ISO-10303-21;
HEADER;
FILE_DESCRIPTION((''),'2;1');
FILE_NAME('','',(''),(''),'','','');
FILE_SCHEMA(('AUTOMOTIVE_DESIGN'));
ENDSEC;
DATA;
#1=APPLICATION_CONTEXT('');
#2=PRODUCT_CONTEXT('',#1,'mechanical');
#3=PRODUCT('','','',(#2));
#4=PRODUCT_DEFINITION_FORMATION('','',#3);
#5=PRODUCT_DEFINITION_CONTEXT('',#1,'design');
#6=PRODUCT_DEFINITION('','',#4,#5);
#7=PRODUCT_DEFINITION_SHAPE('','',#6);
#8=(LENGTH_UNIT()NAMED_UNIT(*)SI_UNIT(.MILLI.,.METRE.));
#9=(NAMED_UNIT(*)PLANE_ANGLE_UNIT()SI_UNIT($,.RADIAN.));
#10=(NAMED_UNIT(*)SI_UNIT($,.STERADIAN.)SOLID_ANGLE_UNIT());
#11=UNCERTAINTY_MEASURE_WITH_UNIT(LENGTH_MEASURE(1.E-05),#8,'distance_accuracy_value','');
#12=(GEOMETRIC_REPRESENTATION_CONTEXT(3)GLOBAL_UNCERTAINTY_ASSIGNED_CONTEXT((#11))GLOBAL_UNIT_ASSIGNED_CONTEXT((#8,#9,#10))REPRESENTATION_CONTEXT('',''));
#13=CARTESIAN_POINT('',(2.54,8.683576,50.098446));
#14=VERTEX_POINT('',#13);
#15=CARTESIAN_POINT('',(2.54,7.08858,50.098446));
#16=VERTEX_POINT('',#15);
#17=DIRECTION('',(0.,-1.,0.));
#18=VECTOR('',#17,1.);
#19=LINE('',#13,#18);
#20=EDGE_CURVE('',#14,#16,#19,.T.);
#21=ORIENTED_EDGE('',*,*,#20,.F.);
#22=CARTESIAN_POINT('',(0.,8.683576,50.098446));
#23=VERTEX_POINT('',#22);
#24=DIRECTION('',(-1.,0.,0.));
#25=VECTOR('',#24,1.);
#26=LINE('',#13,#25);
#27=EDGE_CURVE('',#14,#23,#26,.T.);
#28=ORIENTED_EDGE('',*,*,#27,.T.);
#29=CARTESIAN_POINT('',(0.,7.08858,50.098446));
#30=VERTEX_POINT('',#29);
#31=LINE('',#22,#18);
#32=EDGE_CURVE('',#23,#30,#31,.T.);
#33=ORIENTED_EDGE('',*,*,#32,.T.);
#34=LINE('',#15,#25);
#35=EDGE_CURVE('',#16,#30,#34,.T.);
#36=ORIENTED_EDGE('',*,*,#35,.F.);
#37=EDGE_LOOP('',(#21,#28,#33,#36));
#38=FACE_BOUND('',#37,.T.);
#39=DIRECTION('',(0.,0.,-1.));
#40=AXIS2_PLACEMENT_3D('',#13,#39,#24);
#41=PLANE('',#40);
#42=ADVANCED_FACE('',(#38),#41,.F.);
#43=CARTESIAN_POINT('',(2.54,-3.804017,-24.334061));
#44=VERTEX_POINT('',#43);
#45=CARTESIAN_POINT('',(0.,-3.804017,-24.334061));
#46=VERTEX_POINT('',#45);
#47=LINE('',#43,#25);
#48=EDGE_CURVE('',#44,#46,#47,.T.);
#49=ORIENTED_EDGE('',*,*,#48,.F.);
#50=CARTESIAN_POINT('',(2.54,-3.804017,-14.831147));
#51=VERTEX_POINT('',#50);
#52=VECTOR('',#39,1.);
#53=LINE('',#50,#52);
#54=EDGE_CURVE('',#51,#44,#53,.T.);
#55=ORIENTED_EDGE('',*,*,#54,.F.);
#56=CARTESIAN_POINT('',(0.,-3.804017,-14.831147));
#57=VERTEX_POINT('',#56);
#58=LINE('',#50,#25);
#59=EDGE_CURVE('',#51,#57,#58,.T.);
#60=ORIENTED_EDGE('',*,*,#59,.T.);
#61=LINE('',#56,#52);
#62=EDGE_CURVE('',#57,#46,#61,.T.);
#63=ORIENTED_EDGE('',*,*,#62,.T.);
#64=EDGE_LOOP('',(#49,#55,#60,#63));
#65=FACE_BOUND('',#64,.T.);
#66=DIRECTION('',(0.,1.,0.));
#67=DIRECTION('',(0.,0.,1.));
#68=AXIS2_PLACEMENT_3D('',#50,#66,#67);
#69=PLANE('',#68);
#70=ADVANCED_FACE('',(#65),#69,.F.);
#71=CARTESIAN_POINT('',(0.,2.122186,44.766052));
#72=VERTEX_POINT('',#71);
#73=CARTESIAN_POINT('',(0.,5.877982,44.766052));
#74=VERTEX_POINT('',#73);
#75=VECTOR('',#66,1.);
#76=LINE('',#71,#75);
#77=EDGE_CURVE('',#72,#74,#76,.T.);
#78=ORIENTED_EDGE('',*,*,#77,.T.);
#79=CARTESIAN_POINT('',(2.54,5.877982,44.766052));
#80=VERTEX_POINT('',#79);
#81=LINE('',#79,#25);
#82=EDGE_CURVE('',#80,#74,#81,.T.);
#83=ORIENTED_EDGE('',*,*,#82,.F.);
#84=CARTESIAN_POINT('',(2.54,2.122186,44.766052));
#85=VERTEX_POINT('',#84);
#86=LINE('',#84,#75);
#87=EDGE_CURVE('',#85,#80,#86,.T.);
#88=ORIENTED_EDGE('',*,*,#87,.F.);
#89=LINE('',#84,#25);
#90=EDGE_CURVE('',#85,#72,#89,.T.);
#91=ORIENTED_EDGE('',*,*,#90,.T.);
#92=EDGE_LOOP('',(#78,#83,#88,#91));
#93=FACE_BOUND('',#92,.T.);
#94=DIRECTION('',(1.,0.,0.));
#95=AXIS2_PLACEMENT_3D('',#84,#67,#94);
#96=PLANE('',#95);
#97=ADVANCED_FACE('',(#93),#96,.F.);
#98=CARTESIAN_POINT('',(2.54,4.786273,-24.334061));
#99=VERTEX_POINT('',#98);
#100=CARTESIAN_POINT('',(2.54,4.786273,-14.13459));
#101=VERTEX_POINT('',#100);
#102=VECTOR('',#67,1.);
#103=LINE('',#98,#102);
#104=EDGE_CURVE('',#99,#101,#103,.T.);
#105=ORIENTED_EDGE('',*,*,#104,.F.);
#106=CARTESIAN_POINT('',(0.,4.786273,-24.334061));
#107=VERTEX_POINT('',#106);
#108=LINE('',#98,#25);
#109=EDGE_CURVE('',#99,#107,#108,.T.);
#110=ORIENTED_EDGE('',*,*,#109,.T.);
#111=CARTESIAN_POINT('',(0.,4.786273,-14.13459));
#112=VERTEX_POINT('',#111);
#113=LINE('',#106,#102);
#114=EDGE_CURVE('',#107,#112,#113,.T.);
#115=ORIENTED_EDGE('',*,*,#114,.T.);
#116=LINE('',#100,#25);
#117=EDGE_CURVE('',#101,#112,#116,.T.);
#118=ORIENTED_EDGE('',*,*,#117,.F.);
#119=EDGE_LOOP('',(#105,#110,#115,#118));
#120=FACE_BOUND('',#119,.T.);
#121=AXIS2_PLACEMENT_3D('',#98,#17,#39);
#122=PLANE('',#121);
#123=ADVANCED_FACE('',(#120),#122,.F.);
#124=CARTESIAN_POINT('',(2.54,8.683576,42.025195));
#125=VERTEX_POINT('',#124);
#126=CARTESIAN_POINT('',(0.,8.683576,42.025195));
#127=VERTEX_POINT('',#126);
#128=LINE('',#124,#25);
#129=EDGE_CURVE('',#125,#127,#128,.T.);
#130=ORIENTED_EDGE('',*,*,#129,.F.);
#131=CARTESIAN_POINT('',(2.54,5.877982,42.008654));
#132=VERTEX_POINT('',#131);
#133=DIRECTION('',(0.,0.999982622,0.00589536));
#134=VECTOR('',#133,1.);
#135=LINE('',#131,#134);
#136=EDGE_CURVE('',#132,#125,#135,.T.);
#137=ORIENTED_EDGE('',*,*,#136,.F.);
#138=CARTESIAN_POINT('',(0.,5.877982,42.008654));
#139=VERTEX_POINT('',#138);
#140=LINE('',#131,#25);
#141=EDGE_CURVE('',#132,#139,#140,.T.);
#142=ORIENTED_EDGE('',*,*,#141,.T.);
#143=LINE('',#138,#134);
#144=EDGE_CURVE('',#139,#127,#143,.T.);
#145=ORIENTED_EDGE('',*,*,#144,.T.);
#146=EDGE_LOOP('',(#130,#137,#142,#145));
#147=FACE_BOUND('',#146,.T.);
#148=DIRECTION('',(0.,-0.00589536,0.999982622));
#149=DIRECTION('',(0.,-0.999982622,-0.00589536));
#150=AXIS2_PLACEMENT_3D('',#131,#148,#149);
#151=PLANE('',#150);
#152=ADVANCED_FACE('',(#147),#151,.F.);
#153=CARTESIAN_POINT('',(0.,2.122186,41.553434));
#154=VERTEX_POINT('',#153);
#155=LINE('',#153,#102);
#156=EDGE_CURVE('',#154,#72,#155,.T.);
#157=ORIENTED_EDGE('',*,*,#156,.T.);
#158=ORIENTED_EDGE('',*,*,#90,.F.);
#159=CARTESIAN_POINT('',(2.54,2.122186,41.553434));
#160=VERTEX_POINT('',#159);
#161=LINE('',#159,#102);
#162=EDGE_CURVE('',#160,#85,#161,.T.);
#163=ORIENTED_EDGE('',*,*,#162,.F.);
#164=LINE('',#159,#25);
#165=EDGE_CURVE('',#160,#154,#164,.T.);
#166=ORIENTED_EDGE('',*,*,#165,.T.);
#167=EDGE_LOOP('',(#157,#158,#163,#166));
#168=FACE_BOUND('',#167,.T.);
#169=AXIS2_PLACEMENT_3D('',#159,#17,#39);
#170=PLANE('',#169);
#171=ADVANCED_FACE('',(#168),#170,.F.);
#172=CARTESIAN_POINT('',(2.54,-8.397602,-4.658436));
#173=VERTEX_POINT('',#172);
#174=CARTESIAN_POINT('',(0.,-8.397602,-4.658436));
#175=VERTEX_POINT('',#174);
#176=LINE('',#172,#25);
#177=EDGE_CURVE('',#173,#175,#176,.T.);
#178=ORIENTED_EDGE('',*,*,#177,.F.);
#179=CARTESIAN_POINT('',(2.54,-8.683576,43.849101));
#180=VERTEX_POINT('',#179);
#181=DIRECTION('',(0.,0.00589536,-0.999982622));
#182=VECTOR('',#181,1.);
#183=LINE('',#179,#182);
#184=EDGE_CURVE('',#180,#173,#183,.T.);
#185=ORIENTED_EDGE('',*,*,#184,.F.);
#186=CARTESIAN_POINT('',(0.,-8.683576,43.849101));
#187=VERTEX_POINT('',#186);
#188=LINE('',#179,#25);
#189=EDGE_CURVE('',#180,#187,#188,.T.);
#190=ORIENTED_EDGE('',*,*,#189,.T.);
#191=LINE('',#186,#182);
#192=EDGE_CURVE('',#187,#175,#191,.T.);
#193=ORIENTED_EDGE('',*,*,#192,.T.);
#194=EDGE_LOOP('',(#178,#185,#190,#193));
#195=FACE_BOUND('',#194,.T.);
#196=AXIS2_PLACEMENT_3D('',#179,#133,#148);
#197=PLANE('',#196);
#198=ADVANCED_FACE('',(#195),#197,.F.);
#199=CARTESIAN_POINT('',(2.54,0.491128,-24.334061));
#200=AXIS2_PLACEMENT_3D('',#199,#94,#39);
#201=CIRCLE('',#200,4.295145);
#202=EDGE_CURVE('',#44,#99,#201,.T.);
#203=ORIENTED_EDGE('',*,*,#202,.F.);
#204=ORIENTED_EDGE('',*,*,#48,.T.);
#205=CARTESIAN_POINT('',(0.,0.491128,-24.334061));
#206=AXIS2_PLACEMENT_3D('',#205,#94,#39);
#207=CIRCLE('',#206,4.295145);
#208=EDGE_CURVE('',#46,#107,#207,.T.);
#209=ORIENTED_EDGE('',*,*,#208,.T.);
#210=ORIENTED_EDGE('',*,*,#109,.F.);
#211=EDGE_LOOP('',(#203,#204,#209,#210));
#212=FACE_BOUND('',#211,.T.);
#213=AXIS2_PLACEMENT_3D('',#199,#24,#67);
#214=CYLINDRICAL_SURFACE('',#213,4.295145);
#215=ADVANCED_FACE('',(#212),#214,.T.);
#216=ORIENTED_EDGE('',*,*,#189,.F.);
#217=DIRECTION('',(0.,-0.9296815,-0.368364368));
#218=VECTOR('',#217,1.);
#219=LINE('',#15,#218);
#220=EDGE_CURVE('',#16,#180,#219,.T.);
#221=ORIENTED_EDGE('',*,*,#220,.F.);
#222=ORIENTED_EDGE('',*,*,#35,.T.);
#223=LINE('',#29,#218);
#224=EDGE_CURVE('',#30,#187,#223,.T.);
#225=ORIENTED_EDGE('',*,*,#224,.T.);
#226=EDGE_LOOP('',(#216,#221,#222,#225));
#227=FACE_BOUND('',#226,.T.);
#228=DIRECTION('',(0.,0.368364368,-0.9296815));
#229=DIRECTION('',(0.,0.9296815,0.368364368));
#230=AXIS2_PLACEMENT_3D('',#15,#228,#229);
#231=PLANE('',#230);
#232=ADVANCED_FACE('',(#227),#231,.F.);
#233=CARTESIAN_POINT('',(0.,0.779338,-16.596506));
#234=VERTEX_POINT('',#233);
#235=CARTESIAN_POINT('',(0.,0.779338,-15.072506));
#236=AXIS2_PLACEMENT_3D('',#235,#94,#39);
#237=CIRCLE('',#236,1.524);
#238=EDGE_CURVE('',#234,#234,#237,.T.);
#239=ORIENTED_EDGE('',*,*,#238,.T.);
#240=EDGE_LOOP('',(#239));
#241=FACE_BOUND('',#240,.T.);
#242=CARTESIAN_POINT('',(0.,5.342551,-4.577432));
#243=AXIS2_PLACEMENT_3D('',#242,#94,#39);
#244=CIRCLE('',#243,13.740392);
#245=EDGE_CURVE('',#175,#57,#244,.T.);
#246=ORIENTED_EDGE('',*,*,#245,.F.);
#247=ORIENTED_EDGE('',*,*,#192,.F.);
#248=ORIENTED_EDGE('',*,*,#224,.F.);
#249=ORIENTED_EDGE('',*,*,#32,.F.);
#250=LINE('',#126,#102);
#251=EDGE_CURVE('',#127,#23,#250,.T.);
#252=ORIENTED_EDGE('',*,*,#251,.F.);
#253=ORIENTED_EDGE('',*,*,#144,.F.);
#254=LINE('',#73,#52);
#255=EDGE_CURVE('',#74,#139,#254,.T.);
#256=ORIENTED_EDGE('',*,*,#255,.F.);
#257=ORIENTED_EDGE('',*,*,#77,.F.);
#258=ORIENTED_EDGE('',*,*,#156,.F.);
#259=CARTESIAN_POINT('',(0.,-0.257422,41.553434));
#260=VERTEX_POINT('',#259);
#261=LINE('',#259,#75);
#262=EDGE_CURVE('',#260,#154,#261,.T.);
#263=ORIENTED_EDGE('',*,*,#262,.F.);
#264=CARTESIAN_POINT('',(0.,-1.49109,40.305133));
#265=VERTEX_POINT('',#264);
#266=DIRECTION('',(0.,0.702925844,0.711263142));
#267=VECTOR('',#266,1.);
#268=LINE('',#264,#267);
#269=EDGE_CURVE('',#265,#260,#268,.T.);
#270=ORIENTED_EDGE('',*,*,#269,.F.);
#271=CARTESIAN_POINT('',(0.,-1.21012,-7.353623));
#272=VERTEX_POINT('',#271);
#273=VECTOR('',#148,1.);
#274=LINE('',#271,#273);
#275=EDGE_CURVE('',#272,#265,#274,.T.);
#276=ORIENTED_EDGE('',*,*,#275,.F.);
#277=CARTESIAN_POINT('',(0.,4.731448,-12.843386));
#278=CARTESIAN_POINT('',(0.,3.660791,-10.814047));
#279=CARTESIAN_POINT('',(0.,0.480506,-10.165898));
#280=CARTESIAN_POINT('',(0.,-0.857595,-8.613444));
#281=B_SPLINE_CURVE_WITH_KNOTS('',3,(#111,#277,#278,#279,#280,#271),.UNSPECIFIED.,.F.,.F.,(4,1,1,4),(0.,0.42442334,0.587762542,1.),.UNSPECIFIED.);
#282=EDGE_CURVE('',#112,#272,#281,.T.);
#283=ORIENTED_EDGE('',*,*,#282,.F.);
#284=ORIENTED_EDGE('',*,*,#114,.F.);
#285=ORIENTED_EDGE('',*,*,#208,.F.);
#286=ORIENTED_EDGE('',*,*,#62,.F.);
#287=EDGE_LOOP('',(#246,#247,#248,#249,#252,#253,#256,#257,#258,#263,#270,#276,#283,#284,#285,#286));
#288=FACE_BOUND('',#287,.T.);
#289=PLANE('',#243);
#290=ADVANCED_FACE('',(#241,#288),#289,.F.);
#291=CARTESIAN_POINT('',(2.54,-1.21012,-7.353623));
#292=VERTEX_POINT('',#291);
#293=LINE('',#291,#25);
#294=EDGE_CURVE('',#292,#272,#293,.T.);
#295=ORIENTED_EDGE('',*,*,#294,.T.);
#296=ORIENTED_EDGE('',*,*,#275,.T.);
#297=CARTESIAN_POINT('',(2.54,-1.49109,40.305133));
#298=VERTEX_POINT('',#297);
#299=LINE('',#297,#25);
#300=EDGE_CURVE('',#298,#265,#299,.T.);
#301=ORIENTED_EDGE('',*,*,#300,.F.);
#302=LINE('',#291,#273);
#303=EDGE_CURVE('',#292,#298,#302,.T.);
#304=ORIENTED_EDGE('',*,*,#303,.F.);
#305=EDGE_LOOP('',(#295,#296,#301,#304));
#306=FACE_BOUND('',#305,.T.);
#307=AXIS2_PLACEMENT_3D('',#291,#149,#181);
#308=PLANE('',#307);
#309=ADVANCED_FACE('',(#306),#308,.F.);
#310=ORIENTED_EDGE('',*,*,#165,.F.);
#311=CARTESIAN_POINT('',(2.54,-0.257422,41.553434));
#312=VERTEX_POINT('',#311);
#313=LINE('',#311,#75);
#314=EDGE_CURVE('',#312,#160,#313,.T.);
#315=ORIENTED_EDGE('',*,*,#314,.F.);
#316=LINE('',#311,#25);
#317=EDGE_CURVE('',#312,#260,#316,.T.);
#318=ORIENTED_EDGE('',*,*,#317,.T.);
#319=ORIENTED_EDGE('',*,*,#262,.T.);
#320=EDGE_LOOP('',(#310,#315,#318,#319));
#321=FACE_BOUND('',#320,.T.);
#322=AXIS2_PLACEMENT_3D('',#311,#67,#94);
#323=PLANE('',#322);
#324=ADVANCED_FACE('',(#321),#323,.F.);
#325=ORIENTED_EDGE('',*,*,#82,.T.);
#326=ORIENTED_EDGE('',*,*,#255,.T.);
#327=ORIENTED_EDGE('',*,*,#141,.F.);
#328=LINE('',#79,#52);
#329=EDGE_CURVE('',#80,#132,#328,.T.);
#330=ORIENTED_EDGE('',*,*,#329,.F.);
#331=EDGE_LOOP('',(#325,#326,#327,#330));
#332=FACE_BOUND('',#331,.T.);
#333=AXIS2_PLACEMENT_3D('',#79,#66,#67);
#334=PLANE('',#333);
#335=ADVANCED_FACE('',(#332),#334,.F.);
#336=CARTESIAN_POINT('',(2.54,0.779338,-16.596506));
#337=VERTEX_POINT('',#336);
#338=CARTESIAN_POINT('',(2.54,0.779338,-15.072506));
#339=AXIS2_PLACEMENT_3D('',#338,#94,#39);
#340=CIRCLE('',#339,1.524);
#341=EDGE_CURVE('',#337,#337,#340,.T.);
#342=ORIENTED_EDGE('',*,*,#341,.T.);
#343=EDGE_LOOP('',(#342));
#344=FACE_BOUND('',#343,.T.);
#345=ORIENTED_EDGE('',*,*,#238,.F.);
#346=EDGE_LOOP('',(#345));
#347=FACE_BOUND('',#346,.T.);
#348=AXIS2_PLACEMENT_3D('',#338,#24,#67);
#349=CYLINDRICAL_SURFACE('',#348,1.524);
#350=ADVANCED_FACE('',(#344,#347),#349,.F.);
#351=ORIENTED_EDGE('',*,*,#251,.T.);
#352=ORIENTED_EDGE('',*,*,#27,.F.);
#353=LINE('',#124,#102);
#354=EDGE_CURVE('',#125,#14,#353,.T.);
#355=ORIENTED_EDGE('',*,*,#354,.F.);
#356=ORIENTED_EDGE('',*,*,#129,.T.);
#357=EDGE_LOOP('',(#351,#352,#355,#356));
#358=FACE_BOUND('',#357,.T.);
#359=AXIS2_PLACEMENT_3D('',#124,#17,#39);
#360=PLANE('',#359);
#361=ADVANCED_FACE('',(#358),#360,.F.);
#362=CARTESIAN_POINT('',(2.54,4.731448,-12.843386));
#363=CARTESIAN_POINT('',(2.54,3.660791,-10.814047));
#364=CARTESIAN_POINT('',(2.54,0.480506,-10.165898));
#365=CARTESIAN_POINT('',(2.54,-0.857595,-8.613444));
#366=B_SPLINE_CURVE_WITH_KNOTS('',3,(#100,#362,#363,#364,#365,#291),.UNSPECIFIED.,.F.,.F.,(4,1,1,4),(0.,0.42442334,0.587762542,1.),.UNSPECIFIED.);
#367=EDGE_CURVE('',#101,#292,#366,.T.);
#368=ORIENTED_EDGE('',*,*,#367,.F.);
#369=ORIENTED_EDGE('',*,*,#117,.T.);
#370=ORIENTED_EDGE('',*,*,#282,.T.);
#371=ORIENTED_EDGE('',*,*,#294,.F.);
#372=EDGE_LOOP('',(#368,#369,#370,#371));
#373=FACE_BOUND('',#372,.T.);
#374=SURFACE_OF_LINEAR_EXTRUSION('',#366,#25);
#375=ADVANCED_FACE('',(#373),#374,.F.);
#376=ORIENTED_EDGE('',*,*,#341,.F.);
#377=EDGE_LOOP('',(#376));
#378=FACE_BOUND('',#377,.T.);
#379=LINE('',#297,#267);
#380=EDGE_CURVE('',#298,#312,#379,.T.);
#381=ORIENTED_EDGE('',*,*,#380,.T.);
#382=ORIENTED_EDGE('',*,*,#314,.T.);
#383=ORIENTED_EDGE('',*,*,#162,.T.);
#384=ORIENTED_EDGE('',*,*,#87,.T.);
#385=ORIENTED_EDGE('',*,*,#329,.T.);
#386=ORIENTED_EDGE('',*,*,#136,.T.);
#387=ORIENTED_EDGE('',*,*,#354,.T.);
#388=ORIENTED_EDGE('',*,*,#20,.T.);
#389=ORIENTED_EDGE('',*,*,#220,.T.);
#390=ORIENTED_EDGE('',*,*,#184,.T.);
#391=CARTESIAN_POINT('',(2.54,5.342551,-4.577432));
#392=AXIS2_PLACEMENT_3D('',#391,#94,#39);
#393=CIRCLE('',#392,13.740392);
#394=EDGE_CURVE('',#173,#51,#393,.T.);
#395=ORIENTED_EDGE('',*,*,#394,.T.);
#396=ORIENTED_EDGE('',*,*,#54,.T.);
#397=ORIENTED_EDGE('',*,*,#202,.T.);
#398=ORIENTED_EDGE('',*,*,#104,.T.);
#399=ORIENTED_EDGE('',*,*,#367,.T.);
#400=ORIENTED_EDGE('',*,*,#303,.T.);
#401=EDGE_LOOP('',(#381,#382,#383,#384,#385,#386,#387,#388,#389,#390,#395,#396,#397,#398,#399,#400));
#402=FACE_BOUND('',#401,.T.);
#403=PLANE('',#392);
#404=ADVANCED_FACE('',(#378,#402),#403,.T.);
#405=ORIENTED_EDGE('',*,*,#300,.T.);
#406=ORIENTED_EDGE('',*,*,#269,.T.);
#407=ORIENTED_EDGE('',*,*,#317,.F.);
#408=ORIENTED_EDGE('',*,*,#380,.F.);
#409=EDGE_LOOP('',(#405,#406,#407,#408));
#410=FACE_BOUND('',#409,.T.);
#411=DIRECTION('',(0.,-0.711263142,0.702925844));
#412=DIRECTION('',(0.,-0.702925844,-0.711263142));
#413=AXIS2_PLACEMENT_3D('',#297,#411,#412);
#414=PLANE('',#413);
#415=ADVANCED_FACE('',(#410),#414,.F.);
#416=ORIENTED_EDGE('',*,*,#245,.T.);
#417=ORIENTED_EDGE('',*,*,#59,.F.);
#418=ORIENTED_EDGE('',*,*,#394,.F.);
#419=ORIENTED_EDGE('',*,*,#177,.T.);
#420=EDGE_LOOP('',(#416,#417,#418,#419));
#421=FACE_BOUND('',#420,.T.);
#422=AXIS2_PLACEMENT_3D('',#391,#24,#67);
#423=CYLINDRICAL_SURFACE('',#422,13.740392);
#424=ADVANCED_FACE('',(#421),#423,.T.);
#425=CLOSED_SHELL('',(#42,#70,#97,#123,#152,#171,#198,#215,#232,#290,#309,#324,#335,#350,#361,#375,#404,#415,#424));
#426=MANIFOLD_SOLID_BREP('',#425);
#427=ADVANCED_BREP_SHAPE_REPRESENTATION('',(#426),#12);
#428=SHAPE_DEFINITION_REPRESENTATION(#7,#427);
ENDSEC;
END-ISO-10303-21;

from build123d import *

# Parameters (mm, degrees)
SKETCH1_R           = 1.524
BOSS_EXTRUDE1_DEPTH = 2.54


with BuildPart() as part:
    # Sketch1 → Boss-Extrude1 (new body)
    with BuildSketch(Plane(origin=(0, 0, 0), x_dir=(0, 0, -1), z_dir=(1, 0, 0))):
        with BuildLine():
            Line((-50.098445601, 7.088580138), (-43.849100544, -8.683576435))
            Line((-43.849100544, -8.683576435), (4.658436215, -8.397602077))
            ThreePointArc((4.658436215, -8.397602077), (10.232240609, -7.180288327), (14.831146716, -3.804016594))
            Line((14.831146716, -3.804016594), (24.334060944, -3.804016594))
            ThreePointArc((24.334060944, -3.804016594), (28.629205553, 0.491128014), (24.334060944, 4.786272622))
            Line((24.334060944, 4.786272622), (14.134590219, 4.786272622))
            add(Edge.make_bspline(
                [(14.134590219, 4.786272622), (12.843386165, 4.731447756), (10.814047052, 3.6607913), (10.165897568, 0.480505822), (8.613444363, -0.857594594), (7.353623418, -1.210119508)],
                knots=[0, 0, 0, 0, 0.42442334, 0.587762542, 1, 1, 1, 1], degree=3))
            Line((7.353623418, -1.210119508), (-40.305133261, -1.491089915))
            Line((-40.305133261, -1.491089915), (-41.553433836, -0.257421693))
            Line((-41.553433836, -0.257421693), (-41.553433836, 2.122185781))
            Line((-41.553433836, 2.122185781), (-44.766052446, 2.122185781))
            Line((-44.766052446, 2.122185781), (-44.766052446, 5.877981651))
            Line((-44.766052446, 5.877981651), (-42.008654347, 5.877981651))
            Line((-42.008654347, 5.877981651), (-42.025194626, 8.683576435))
            Line((-42.025194626, 8.683576435), (-50.098445601, 8.683576435))
            Line((-50.098445601, 8.683576435), (-50.098445601, 7.088580138))
        make_face()
        with Locations((15.07250618, 0.779338165)):
            Circle(SKETCH1_R, mode=Mode.SUBTRACT)
    extrude(amount=BOSS_EXTRUDE1_DEPTH)


solid = part.part
